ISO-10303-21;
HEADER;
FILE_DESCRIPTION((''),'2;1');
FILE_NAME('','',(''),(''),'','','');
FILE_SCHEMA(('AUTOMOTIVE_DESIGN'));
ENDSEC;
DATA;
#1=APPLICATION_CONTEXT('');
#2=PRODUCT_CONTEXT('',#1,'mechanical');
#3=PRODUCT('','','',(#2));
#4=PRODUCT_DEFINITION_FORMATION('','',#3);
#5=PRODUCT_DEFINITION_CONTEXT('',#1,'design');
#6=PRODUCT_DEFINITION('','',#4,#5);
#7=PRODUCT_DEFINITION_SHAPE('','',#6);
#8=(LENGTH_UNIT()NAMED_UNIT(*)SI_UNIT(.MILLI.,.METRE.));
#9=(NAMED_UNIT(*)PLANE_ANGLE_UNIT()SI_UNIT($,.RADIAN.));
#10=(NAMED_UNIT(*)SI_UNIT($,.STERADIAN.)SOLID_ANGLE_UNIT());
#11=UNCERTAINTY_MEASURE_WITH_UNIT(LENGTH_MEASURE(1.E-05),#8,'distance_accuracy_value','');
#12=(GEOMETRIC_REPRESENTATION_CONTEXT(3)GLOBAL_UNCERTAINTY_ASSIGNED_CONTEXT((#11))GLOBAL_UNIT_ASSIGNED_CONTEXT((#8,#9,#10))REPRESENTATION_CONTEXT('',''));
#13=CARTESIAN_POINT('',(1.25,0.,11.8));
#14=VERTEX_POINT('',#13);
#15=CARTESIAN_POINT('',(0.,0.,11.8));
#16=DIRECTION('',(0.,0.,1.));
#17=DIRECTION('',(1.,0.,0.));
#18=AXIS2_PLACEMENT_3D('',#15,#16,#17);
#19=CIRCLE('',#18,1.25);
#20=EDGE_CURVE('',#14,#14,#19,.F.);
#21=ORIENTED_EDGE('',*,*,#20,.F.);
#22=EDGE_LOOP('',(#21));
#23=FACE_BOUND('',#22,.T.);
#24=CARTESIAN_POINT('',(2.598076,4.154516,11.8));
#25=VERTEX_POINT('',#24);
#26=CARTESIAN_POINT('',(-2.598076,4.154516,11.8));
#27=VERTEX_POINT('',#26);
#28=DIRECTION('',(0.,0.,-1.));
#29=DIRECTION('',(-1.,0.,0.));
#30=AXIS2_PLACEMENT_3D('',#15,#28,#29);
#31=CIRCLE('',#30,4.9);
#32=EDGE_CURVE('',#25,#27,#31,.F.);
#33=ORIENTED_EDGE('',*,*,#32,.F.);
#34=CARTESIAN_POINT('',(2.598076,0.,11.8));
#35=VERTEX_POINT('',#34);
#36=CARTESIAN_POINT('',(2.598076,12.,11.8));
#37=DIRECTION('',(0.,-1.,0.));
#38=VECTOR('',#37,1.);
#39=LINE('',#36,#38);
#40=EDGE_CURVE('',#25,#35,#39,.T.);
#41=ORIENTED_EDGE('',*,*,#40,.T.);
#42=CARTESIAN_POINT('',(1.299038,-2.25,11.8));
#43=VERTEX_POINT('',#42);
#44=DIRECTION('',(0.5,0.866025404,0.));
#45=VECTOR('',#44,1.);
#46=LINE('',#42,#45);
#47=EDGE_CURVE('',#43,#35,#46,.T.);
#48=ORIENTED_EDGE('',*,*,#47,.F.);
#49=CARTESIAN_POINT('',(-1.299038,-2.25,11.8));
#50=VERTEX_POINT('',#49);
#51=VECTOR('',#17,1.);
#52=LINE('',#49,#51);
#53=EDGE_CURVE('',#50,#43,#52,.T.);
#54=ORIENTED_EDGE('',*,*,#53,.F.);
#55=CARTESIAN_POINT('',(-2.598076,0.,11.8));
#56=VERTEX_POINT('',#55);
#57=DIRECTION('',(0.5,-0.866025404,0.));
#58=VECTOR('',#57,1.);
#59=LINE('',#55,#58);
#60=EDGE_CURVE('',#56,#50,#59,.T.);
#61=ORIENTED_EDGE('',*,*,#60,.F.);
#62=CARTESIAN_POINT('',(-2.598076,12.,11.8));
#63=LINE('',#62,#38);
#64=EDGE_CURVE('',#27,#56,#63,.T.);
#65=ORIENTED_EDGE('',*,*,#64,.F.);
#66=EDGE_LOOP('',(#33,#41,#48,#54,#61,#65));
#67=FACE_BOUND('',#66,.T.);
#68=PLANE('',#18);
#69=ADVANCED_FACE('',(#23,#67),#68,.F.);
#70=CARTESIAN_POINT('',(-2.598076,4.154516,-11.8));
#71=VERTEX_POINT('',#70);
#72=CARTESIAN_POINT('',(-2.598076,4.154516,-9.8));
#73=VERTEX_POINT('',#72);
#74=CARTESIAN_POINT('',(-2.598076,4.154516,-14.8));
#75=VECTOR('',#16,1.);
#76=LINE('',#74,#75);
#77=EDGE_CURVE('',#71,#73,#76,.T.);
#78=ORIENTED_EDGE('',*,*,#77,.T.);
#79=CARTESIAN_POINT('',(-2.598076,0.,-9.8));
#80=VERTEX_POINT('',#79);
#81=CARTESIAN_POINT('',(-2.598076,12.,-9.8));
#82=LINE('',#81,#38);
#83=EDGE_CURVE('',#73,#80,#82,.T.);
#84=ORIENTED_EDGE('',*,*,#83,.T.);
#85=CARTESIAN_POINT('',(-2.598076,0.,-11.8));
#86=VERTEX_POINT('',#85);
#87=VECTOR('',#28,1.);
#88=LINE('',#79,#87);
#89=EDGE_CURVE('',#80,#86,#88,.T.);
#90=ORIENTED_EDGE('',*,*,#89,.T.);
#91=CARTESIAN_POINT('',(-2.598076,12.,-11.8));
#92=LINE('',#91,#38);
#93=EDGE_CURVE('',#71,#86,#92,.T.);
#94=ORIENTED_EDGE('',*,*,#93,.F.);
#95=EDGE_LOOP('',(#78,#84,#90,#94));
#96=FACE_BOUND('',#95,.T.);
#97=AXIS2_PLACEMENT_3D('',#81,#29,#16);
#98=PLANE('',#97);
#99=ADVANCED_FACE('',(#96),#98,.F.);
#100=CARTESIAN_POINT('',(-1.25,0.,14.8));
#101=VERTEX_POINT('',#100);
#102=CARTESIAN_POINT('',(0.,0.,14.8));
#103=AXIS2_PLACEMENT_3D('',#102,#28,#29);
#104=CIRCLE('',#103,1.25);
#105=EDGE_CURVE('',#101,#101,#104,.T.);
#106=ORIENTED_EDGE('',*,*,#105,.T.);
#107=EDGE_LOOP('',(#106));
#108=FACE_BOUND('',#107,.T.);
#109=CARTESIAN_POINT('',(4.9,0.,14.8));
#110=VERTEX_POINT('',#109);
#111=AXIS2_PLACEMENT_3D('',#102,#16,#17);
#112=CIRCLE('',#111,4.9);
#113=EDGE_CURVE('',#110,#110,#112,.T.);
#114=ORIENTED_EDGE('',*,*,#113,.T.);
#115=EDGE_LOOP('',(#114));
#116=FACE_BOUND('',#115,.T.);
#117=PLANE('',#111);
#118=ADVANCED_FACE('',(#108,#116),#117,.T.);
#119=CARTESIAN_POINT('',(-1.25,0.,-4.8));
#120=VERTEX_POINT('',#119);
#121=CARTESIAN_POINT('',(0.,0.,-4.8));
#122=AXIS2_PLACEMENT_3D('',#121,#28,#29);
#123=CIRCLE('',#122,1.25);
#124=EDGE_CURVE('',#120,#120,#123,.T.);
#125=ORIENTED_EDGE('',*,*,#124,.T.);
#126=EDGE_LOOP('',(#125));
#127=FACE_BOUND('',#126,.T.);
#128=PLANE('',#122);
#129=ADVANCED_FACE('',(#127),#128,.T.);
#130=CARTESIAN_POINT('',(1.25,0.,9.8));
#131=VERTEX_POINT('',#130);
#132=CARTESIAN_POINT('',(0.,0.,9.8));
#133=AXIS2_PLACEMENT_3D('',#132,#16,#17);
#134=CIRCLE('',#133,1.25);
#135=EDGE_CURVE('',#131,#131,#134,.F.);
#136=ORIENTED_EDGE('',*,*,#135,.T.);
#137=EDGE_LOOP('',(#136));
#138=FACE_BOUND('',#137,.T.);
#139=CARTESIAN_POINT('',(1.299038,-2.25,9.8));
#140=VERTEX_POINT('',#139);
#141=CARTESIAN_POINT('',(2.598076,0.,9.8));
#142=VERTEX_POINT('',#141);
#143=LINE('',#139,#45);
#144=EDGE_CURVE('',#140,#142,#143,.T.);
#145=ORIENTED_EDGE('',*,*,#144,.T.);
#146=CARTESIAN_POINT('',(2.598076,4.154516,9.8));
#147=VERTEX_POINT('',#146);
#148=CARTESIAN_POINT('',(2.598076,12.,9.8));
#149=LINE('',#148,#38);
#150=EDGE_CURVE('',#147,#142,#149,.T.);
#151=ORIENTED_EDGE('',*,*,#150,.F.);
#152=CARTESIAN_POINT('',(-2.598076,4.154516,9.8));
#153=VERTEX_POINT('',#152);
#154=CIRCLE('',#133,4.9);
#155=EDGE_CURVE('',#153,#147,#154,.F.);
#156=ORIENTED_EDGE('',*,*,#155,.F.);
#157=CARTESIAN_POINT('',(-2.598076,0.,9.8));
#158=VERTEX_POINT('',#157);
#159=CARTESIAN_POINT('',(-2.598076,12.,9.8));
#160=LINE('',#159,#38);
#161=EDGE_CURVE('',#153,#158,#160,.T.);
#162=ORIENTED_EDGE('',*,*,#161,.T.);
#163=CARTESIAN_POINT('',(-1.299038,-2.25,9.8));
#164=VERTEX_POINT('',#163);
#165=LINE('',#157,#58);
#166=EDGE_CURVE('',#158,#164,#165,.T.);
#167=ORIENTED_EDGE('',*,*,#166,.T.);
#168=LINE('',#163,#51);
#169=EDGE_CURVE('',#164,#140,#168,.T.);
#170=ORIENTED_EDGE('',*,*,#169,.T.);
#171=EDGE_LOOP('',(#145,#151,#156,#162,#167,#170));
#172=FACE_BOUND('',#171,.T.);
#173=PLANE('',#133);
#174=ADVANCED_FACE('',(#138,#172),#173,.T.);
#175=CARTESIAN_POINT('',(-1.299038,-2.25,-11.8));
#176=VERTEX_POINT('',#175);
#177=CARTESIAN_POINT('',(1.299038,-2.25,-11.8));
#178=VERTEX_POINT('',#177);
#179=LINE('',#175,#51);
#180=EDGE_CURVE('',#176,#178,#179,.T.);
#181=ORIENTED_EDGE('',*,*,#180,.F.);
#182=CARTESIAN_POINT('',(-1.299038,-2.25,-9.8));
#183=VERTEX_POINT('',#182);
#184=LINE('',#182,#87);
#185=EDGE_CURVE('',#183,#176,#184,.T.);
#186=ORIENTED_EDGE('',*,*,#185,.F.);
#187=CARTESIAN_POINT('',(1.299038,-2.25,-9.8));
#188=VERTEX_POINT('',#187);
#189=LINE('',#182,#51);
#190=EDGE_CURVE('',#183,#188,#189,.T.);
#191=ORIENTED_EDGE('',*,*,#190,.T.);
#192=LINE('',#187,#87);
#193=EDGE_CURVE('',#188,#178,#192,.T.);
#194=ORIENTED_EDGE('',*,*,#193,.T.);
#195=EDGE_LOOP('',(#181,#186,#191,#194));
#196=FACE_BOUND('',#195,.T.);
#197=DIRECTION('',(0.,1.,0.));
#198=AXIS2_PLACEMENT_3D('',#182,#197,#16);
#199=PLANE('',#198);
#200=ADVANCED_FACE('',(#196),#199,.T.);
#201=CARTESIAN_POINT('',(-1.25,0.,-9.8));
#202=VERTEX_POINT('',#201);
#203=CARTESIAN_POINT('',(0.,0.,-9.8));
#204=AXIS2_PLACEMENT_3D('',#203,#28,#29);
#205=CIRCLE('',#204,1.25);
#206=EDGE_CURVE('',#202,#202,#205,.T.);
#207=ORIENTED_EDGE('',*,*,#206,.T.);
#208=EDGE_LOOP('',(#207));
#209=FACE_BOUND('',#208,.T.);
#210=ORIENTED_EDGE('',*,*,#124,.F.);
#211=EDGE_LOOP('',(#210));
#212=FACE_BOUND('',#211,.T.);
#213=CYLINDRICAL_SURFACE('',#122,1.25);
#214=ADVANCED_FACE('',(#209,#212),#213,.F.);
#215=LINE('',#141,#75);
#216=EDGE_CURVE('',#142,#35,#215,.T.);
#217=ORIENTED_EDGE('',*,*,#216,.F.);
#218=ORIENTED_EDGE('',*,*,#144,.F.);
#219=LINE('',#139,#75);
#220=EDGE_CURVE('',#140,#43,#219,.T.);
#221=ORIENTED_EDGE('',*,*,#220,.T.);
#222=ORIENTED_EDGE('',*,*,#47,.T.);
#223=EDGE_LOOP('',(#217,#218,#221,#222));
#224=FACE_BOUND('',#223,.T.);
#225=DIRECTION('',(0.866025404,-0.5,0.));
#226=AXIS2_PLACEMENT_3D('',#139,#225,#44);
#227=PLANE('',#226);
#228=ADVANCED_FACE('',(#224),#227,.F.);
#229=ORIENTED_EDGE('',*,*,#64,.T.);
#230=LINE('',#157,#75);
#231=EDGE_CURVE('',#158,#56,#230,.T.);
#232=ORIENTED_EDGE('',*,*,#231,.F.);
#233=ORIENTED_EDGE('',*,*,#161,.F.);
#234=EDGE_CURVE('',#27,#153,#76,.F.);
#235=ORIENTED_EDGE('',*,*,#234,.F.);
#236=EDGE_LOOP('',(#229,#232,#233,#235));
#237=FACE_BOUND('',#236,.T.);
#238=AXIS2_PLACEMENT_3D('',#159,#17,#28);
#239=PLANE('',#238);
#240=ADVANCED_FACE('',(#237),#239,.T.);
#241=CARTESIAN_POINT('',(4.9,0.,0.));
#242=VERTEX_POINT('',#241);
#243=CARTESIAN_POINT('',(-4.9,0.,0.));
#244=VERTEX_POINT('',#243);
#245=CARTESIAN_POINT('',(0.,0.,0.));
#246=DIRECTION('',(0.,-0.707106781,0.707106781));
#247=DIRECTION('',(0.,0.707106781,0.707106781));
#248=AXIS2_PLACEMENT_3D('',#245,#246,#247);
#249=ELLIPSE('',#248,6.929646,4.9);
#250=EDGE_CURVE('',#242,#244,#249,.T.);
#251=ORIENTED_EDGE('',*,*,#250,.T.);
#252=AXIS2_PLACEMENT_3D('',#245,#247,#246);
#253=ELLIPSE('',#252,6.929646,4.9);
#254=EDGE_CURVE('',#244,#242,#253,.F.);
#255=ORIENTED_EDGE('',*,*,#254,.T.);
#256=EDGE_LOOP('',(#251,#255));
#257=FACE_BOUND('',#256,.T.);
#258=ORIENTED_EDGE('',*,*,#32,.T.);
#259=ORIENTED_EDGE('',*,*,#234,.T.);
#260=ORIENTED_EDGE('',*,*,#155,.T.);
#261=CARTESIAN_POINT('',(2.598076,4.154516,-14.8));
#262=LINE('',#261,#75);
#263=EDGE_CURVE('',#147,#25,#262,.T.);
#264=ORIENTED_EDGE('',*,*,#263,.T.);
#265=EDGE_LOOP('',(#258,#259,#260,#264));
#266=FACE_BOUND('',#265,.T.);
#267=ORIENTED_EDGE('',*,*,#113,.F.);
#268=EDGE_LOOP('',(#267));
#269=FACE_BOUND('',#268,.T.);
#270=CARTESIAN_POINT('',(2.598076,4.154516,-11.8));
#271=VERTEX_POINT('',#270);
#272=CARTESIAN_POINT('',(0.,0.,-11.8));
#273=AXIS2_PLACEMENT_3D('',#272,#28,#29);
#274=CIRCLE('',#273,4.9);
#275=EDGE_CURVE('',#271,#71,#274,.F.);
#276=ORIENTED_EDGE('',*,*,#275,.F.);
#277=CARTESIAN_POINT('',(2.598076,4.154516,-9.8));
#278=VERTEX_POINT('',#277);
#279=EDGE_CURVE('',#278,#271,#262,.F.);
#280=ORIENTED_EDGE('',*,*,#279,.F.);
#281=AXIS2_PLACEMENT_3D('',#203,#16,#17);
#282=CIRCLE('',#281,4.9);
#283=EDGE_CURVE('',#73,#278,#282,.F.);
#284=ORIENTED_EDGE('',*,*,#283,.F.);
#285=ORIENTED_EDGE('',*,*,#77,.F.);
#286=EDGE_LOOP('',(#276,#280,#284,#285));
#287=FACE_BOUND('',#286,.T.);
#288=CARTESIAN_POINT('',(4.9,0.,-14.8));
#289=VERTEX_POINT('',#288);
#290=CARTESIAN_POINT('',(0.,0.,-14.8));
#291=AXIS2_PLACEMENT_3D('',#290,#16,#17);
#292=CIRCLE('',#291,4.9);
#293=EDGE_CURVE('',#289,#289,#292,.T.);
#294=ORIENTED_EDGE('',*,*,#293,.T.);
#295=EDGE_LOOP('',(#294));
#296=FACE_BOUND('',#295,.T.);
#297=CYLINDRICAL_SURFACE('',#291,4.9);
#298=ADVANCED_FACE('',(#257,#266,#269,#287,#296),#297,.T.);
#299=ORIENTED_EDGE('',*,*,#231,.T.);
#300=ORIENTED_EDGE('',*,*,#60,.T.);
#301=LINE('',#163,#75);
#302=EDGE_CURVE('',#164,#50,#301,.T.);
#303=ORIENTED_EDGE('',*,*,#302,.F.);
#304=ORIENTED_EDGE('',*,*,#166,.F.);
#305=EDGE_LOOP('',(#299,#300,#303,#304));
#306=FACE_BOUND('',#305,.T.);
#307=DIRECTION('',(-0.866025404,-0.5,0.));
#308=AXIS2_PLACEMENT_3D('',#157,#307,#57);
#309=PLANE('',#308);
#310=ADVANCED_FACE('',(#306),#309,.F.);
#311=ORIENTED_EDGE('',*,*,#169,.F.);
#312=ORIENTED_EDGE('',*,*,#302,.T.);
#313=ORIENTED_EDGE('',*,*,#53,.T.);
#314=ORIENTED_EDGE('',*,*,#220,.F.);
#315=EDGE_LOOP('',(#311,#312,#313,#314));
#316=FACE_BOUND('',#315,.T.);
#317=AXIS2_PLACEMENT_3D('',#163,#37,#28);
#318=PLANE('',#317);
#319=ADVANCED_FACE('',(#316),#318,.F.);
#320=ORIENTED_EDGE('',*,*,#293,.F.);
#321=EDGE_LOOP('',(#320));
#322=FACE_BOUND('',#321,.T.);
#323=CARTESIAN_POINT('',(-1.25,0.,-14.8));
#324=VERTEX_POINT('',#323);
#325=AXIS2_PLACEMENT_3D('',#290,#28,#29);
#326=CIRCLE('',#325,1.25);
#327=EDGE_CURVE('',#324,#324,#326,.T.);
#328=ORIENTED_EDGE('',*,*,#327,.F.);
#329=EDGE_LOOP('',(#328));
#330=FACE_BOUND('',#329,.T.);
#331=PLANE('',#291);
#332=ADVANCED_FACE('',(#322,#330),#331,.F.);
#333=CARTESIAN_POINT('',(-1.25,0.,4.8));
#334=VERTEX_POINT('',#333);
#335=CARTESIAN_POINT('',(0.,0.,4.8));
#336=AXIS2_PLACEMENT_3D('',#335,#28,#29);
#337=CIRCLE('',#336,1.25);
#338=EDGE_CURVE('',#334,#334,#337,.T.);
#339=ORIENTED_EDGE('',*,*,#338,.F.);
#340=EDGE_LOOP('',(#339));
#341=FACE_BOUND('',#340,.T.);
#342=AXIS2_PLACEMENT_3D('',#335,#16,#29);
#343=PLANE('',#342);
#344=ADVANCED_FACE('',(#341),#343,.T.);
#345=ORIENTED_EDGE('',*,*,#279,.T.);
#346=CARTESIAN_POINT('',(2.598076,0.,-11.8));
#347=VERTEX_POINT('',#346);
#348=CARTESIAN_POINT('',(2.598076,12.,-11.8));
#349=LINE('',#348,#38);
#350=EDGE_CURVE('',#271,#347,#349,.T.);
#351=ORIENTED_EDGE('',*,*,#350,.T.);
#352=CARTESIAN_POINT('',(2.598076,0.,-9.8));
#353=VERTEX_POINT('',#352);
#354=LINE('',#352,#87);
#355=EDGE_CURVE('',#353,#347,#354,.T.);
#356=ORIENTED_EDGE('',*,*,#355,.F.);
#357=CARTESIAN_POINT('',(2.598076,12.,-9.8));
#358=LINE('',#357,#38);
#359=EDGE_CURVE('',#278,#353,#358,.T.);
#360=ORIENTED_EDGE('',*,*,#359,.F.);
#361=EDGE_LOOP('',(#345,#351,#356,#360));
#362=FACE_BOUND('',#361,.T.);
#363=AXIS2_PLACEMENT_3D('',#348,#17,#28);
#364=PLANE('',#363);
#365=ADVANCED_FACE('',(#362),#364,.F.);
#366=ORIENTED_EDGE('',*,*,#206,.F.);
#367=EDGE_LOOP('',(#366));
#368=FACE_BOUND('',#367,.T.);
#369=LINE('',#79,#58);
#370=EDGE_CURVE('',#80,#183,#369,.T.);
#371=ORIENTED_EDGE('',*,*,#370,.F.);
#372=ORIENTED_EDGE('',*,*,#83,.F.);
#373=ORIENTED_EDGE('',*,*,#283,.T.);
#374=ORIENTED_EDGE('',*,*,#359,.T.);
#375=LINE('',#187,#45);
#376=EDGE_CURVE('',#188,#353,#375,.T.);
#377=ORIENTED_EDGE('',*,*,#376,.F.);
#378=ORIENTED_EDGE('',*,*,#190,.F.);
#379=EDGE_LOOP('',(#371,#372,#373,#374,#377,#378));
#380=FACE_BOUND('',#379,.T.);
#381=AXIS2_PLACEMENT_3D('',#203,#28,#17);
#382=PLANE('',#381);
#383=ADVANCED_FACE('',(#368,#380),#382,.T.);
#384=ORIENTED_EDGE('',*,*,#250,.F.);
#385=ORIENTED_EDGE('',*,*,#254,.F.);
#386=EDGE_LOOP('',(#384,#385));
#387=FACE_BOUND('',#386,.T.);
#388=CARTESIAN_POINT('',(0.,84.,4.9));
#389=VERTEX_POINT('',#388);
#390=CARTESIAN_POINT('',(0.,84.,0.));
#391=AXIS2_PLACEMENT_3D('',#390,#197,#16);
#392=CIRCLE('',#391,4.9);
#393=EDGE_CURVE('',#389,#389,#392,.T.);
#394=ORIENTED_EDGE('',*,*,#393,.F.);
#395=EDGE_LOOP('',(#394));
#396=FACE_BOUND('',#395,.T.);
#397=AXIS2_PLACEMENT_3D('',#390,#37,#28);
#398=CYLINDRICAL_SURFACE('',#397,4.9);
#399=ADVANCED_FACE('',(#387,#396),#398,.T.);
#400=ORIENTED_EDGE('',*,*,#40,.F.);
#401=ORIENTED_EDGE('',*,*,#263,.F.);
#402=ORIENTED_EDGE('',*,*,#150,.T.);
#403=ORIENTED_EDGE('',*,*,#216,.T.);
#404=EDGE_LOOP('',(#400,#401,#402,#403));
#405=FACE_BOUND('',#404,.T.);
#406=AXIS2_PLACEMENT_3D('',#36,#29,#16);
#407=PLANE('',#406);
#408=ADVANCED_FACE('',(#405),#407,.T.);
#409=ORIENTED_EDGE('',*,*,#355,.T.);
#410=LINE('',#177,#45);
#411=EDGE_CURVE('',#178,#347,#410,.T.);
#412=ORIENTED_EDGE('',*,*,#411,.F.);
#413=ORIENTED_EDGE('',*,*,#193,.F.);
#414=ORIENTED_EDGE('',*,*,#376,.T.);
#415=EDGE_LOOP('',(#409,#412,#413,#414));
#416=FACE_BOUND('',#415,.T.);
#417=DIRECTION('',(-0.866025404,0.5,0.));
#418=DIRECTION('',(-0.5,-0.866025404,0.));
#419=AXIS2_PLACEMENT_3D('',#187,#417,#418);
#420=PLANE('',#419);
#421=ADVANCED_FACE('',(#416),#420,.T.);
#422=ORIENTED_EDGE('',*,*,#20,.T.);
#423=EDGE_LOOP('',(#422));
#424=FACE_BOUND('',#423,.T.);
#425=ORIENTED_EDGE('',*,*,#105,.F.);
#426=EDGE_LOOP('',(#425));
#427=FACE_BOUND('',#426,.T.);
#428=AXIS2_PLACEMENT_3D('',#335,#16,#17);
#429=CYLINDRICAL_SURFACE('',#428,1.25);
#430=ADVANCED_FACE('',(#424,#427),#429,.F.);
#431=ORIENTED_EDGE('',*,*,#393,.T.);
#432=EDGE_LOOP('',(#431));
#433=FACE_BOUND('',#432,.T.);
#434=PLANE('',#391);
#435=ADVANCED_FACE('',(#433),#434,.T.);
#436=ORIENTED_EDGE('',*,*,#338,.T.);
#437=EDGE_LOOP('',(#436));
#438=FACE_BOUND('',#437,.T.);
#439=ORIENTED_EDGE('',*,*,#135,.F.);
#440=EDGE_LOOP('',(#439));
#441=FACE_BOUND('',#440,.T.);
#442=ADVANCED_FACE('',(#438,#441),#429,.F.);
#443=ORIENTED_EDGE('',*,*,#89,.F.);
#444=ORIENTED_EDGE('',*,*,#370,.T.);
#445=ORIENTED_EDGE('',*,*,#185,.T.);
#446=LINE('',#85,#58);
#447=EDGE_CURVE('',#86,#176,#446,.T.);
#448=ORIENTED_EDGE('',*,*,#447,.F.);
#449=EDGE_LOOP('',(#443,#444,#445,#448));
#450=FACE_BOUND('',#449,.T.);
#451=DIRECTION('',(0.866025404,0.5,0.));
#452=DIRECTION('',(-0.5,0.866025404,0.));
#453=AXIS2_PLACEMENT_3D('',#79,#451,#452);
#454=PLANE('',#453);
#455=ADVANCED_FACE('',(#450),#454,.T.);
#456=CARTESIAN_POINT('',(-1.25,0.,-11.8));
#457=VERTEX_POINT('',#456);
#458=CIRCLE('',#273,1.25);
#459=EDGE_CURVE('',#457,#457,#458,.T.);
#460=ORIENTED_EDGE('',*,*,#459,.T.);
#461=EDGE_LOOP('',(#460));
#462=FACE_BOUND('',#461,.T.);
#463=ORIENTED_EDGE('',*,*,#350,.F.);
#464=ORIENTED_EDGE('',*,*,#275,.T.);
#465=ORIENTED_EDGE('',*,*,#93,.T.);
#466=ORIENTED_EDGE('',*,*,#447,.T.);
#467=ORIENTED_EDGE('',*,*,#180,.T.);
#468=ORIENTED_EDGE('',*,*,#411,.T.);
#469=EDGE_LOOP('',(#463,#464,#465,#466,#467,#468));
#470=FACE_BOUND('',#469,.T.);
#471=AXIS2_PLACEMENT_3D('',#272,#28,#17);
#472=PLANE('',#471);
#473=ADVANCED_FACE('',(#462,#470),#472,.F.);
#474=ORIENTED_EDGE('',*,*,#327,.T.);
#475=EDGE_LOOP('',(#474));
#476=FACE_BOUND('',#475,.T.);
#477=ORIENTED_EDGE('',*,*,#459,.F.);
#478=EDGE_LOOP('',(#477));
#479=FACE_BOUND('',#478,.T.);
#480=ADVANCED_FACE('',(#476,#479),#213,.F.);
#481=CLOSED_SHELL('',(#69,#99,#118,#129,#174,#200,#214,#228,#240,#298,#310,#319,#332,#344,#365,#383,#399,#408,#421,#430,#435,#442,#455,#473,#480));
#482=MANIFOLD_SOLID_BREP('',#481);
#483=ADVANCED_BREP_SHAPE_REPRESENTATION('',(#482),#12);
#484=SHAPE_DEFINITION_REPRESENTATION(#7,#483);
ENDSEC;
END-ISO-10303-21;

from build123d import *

# Parameters (mm, degrees)
BOSS_EXTRUDE1_DEPTH      = 14.8
BOSS_EXTRUDE1_DEPTH_BACK = 14.8
SKETCH1_R                = 4.9
SKETCH2_R                = 4.9
BOSS_EXTRUDE2_DEPTH      = 84
CUT_EXTRUDE1_DEPTH       = 2
SKETCH5_W                = 5.196152422
SKETCH5_H                = 2
CUT_EXTRUDE2_DEPTH       = 12
SKETCH6_R                = 1.25
CUT_EXTRUDE3_DEPTH       = 10


with BuildPart() as part:
    # Sketch1 → Boss-Extrude1 (new, two sides: drawn at the far end of the back side and taken through both)
    with BuildSketch(Plane.XY.offset(-BOSS_EXTRUDE1_DEPTH_BACK)):
        Circle(SKETCH1_R)
    extrude(amount=BOSS_EXTRUDE1_DEPTH + BOSS_EXTRUDE1_DEPTH_BACK)

    # Sketch2 → Boss-Extrude2 (add)
    with BuildSketch(Plane(origin=(0, 0, 0), x_dir=(1, 0, 0), z_dir=(0, 1, 0))):
        Circle(SKETCH2_R)
    extrude(amount=BOSS_EXTRUDE2_DEPTH)

    # Sketch4 → Cut-Extrude1 (cut)
    with BuildSketch(Plane.XY.offset(11.8)):
        Polygon((2.598076211, 0), (1.299038106, 2.25), (-1.299038106, 2.25), (-2.598076211, 0), (-1.299038106, -2.25), (1.299038106, -2.25), align=None)
    cut_extrude1 = extrude(amount=-CUT_EXTRUDE1_DEPTH, mode=Mode.SUBTRACT)

    # Sketch5 → Cut-Extrude2 (cut)
    with BuildSketch(Plane(origin=(0, 0, 0), x_dir=(1, 0, 0), z_dir=(0, 1, 0))):
        with Locations((0, -10.8)):
            Rectangle(SKETCH5_W, SKETCH5_H)
    cut_extrude2 = extrude(amount=CUT_EXTRUDE2_DEPTH, mode=Mode.SUBTRACT)

    # Mirror2: Cut-Extrude1, Cut-Extrude2 across plane
    add(cut_extrude1.mirror(Plane.XY), mode=Mode.SUBTRACT)
    add(cut_extrude2.mirror(Plane.XY), mode=Mode.SUBTRACT)

    # Sketch6 → Cut-Extrude3 (cut)
    with BuildSketch(Plane(origin=(0, 0, -14.8), x_dir=(-1, 0, 0), z_dir=(0, 0, -1))):
        Circle(SKETCH6_R)
    cut_extrude3 = extrude(amount=-CUT_EXTRUDE3_DEPTH, mode=Mode.SUBTRACT)

    # Mirror3: Cut-Extrude3 across plane
    add(cut_extrude3.mirror(Plane.XY), mode=Mode.SUBTRACT)


solid = part.part
